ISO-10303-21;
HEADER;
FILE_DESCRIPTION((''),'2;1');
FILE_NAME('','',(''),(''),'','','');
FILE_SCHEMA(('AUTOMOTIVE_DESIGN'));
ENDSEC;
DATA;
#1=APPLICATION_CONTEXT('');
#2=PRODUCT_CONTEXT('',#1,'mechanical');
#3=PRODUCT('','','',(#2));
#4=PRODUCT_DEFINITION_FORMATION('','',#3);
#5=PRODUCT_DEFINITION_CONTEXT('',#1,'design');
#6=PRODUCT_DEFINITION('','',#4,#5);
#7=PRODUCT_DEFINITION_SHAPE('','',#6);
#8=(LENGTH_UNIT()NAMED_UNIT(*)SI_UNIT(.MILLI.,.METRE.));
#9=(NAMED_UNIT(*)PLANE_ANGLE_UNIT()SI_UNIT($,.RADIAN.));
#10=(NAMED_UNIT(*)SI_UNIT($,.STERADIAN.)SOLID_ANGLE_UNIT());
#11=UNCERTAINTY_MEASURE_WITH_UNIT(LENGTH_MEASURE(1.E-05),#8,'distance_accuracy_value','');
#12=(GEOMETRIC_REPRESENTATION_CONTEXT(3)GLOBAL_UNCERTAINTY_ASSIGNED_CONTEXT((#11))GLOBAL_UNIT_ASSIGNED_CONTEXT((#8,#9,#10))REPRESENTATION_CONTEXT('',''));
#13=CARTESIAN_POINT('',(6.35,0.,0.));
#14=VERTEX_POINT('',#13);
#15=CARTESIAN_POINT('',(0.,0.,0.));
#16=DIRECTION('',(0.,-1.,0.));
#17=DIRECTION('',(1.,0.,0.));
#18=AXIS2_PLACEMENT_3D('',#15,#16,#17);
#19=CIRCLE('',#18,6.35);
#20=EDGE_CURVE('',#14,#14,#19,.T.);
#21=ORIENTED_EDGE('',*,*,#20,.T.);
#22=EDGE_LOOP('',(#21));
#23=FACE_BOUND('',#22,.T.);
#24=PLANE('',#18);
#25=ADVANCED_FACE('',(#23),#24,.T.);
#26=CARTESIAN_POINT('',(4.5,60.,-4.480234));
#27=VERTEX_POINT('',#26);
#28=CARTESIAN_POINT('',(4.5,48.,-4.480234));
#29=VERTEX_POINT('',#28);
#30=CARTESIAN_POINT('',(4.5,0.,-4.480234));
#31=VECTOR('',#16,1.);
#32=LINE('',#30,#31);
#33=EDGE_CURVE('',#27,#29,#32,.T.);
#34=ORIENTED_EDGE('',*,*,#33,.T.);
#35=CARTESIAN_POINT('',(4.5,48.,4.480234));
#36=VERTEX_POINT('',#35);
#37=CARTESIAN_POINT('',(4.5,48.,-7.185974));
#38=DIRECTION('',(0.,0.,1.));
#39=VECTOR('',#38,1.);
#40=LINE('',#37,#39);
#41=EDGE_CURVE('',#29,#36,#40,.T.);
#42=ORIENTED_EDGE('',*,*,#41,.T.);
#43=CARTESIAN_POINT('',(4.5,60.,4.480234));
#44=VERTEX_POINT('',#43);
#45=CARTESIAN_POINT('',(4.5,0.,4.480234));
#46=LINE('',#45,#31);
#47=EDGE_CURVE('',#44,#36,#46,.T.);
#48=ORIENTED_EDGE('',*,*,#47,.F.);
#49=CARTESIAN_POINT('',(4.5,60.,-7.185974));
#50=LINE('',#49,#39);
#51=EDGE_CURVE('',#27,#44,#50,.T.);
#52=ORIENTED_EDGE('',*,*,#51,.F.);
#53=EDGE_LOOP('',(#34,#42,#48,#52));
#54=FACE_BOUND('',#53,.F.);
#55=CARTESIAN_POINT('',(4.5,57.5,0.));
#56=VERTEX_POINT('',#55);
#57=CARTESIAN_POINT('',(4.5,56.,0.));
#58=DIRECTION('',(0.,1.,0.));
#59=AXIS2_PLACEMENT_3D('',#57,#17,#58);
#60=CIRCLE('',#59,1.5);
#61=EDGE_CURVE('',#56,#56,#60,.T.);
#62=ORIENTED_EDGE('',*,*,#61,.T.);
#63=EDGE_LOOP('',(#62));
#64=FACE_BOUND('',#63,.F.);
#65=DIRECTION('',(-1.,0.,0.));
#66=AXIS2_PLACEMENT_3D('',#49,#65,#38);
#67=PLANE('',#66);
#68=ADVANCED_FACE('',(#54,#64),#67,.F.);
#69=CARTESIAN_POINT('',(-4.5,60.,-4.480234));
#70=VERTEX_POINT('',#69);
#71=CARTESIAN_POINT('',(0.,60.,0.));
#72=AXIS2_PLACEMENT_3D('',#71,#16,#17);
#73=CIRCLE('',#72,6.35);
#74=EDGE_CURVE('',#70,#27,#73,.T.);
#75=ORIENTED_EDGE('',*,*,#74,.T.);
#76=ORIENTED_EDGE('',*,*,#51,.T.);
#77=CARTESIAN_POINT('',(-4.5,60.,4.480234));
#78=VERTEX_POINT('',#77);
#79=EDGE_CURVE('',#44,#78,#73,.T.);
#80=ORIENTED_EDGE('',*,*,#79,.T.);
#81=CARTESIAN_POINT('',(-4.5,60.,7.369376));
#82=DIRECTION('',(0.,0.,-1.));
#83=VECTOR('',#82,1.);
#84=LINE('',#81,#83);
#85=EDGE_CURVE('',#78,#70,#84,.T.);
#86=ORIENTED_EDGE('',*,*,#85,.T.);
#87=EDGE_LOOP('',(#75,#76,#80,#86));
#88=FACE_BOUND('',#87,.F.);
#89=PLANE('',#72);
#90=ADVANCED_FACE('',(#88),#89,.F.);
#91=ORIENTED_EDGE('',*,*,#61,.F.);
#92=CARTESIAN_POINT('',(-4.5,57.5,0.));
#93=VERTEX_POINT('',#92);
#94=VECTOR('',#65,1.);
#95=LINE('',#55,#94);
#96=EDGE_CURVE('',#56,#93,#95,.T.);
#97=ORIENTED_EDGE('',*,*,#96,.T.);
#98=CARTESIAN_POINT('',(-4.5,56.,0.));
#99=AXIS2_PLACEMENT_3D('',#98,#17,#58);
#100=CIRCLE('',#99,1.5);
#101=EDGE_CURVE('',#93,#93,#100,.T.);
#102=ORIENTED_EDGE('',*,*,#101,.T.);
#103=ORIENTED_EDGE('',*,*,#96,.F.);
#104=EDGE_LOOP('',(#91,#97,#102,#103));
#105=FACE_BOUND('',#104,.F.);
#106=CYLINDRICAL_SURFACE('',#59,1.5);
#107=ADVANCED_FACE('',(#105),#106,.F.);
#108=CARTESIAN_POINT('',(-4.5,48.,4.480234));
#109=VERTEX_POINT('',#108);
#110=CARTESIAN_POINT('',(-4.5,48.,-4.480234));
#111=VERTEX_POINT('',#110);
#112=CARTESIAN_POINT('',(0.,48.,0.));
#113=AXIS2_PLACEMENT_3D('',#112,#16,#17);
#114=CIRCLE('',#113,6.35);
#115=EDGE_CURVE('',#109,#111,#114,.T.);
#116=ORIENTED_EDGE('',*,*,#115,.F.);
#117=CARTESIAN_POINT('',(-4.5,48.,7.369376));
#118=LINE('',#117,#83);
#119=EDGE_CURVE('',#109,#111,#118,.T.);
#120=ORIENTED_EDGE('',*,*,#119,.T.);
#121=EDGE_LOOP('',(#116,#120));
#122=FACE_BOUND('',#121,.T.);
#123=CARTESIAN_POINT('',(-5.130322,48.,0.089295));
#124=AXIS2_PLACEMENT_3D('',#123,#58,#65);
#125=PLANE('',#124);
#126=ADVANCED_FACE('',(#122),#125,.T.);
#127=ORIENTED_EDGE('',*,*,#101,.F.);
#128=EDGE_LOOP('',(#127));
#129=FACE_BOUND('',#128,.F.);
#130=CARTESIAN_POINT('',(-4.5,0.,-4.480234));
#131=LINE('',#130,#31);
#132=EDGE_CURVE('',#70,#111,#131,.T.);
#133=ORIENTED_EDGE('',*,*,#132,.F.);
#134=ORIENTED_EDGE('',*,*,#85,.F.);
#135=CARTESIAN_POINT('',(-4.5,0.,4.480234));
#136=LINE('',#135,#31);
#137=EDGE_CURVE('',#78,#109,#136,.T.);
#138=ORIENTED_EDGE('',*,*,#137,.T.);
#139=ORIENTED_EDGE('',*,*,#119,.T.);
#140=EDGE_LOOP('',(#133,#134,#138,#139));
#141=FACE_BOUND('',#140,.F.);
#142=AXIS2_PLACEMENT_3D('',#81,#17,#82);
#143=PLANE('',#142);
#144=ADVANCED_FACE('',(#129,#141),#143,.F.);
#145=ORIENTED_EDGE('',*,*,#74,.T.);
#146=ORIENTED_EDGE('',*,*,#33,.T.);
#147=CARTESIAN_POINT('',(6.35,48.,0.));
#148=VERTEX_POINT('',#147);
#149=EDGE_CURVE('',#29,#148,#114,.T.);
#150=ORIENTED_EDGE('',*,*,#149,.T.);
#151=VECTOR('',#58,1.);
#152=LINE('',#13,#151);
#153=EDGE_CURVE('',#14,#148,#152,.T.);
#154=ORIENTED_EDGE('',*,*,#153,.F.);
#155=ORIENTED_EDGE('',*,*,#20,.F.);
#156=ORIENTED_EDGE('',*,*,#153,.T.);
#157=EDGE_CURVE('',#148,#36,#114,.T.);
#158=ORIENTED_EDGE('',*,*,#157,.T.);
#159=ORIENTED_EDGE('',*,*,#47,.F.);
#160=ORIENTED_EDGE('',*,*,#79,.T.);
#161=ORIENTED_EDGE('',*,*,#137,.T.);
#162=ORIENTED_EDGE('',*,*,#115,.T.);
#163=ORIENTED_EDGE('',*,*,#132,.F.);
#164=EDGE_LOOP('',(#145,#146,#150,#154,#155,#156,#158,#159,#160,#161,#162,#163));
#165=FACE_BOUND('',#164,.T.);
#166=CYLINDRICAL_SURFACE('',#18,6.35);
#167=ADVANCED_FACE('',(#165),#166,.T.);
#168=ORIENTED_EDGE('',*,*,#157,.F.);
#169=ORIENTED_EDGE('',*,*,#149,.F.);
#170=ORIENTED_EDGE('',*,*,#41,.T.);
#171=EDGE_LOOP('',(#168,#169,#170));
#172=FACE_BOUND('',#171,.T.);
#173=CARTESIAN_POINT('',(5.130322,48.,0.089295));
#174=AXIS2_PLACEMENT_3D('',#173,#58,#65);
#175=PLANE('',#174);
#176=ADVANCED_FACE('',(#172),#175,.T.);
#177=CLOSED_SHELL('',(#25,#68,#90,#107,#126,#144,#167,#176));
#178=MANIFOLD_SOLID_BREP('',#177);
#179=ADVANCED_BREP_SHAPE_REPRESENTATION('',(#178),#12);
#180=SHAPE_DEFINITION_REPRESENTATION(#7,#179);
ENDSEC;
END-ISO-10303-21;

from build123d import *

# Parameters (mm, degrees)
F0_R     = 6.35
F1_DEPTH = 60
F3_DEPTH = 12
F4_R     = 1.5
F5_DEPTH = 25


with BuildPart() as f1:
    # F0 (on Front) → F1 (new body)
    with BuildSketch(Plane.XZ):
        Circle(F0_R)
    extrude(amount=-F1_DEPTH)

    # F2 (on face) → F3 (cut)
    with BuildSketch(Plane(origin=(0, 60, 0), x_dir=(-1, 0, 0), z_dir=(0, 1, 0))):
        Polygon((-6.955139, 0), (-4.5, -7.185974), (-4.5, 7.369376), align=None)
        Polygon((4.5, 7.369376), (4.5, -7.185974), (6.955139, 0), align=None)
    extrude(amount=-F3_DEPTH, mode=Mode.SUBTRACT)

    # F4 (on face) → F5 (cut)
    with BuildSketch(Plane.YZ.offset(4.5)):
        with Locations((56, 0)):
            Circle(F4_R)
    extrude(amount=-F5_DEPTH, mode=Mode.SUBTRACT)


solid = f1.part
